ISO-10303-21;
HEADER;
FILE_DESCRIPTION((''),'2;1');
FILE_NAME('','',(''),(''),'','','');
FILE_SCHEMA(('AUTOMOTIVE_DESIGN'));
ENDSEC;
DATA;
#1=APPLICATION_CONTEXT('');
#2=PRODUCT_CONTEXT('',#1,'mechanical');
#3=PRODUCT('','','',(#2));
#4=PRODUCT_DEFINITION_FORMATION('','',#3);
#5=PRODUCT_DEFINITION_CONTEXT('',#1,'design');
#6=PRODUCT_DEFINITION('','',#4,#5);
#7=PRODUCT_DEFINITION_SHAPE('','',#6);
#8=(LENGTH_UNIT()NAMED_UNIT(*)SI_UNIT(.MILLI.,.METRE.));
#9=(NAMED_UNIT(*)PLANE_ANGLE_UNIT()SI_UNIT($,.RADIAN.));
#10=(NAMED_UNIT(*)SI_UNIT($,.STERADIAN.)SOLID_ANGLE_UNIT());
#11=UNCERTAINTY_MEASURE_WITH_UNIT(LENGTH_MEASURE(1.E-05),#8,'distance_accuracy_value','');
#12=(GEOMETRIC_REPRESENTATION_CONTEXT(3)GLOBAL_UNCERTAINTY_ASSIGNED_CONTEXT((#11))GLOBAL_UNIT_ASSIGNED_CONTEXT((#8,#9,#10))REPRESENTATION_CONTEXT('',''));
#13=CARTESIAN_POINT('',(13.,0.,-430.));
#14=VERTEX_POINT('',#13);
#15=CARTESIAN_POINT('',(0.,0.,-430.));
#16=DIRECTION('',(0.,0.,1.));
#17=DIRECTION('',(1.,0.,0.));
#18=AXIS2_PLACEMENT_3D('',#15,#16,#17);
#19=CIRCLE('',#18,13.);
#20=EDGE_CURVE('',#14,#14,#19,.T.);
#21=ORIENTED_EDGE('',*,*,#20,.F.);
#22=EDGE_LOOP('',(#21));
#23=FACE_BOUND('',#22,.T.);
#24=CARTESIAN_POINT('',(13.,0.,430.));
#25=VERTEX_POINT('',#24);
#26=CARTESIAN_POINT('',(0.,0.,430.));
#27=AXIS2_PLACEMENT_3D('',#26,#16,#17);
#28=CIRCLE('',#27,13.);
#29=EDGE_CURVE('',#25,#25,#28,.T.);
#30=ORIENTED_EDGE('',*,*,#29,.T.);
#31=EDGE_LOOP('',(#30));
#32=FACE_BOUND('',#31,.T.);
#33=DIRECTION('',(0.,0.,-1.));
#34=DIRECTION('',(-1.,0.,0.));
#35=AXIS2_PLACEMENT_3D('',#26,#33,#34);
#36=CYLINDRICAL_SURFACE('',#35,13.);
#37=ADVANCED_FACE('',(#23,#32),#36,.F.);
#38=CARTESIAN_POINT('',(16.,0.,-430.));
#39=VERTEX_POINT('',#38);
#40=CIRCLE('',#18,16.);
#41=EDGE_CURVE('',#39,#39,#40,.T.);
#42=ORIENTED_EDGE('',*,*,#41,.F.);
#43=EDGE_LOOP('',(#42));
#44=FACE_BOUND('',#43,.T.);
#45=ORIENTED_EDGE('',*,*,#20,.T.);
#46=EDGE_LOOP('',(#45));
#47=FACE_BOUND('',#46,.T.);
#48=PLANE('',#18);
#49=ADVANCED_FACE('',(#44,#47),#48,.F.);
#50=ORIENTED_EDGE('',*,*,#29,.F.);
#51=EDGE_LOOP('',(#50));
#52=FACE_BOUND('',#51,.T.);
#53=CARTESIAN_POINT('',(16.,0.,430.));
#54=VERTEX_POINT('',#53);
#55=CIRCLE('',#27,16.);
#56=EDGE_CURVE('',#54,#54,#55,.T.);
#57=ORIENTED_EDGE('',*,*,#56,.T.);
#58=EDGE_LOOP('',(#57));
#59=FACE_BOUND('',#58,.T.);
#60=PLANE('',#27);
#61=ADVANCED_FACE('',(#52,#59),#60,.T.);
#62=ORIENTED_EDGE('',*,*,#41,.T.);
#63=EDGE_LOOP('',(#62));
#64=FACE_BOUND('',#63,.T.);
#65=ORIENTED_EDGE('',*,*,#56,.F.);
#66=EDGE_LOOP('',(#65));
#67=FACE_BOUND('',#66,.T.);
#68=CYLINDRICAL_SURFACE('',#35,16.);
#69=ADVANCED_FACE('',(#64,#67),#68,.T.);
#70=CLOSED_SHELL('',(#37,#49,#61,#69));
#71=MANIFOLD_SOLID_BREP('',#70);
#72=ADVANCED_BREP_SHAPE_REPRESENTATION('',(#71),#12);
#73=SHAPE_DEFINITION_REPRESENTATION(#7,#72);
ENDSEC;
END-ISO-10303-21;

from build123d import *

# Parameters (mm, degrees)
CROQUIS1_R     = 16
EXTRUIR1_DEPTH = 430
VACIADO1_T     = -3


with BuildPart() as part:
    # Croquis1 → Extruir1 (new, symmetric)
    with BuildSketch(Plane.XY):
        Circle(CROQUIS1_R)
    extrude(amount=EXTRUIR1_DEPTH, both=True)

    # Vaciado1
    vaciado1_openings = [part.faces().sort_by_distance(p)[0] for p in [
        (0, 0, 430),
        (0, 0, -430),
    ]]
    offset(amount=VACIADO1_T, openings=vaciado1_openings, kind=Kind.INTERSECTION)


solid = part.part
